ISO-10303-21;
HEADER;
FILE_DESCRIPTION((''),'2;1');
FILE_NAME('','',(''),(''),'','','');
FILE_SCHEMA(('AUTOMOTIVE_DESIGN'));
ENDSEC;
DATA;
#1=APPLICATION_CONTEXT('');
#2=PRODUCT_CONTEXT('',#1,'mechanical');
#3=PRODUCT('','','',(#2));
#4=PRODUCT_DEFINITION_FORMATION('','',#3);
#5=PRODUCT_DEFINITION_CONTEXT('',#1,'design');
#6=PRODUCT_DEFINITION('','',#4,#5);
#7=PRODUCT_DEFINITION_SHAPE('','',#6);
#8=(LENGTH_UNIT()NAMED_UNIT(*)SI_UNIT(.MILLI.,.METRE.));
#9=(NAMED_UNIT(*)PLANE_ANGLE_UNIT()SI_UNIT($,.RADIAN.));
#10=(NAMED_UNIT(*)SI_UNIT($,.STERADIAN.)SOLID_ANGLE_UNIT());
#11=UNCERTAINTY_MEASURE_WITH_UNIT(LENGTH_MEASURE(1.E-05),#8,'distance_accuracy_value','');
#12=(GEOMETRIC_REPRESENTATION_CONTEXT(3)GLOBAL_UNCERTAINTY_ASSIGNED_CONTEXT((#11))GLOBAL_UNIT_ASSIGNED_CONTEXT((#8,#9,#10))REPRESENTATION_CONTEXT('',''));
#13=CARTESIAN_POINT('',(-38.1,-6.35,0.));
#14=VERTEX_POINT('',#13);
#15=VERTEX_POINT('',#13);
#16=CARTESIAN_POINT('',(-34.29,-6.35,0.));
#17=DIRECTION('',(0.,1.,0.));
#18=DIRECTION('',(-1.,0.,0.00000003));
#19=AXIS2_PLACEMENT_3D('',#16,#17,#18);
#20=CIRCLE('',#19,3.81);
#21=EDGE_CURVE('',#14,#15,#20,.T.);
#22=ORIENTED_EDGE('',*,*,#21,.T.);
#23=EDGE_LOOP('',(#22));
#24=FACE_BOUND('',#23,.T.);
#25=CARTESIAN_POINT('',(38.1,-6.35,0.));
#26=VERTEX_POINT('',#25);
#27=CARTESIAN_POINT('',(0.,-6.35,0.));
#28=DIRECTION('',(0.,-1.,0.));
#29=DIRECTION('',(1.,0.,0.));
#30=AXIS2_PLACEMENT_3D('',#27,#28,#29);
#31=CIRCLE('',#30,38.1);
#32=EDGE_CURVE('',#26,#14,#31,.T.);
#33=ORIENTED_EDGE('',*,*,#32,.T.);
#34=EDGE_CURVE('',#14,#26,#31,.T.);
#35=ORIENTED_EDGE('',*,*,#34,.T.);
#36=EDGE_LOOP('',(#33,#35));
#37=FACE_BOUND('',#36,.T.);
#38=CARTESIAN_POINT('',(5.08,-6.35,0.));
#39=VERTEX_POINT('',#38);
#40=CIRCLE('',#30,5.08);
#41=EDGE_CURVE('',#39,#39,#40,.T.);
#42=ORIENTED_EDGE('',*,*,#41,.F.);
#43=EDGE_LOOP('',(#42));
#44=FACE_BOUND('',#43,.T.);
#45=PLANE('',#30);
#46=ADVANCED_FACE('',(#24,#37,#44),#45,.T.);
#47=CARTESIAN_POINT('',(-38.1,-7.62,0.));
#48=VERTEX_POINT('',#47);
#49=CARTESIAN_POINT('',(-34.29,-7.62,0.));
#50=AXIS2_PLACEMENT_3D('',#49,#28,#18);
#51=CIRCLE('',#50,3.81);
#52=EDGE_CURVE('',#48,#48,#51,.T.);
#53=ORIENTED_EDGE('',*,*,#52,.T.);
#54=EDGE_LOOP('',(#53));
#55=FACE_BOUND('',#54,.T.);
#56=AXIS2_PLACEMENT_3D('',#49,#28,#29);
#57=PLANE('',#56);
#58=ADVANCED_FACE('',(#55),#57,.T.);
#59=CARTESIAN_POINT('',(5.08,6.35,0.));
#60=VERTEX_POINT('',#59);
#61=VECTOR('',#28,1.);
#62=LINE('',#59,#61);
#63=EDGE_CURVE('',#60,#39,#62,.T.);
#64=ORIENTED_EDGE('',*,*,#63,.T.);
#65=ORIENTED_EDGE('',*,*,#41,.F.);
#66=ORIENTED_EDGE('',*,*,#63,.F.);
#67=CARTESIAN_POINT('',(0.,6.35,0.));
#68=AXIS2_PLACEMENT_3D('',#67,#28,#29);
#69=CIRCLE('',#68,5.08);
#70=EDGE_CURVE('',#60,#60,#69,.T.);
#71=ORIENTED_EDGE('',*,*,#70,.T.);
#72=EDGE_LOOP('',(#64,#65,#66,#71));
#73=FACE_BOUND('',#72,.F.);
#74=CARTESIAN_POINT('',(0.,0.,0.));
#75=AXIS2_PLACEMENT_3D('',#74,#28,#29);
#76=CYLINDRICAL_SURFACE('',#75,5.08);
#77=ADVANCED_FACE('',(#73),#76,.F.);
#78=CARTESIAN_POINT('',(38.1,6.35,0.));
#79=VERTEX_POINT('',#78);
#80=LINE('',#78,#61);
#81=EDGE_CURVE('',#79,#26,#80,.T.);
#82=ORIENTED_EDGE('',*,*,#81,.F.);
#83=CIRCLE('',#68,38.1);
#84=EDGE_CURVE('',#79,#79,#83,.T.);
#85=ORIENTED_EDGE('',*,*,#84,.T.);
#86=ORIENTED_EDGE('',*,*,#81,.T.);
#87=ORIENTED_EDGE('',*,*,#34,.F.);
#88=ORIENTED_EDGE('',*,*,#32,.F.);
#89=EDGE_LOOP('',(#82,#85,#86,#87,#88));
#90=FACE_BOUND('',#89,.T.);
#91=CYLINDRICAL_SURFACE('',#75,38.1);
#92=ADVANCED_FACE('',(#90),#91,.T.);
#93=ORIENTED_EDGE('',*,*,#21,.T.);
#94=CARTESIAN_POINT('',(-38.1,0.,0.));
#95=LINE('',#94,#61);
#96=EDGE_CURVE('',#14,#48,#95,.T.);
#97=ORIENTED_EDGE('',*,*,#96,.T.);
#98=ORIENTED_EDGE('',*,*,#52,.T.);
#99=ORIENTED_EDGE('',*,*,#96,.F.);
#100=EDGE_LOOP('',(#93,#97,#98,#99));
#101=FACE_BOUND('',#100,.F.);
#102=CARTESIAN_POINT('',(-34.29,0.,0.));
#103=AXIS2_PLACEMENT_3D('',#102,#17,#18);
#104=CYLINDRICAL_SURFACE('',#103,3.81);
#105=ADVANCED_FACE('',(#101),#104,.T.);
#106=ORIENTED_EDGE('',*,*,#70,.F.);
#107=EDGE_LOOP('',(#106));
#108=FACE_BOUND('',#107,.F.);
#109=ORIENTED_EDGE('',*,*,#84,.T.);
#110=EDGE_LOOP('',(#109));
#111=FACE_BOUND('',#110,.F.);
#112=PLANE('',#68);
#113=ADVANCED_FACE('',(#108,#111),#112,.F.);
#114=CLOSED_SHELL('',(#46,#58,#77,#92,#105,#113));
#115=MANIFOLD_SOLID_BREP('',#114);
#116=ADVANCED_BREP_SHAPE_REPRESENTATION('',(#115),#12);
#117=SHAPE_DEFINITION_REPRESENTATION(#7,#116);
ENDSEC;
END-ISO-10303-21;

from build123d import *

# Parameters (mm, degrees)
F0_R     = 3.81
F1_DEPTH = 6.35
F2_T     = -33.02
F3_DEPTH = 7.62


with BuildPart() as f1:
    # F0 (on Front) → F1 (new body, symmetric)
    with BuildSketch(Plane.XZ):
        with BuildLine():
            ThreePointArc((-38.1, 1.128e-07), (-5.64e-08, -38.1), (38.1, 0))
            ThreePointArc((38.1, 0), (5.64e-08, 38.1), (-38.1, 1.128e-07))
        make_face()
        with BuildLine():
            ThreePointArc((-30.48, 0), (-34.2900000564, -3.81), (-38.1, 1.128e-07))
            ThreePointArc((-38.1, 1.128e-07), (-34.2899999436, 3.81), (-30.48, 0))
        make_face(mode=Mode.SUBTRACT)
        with Locations((34.29, 0)):
            Circle(F0_R, mode=Mode.SUBTRACT)
        with BuildLine():
            ThreePointArc((-30.48, 0), (-34.2899999436, 3.81), (-38.1, 1.128e-07))
            ThreePointArc((-38.1, 1.128e-07), (-34.2900000564, -3.81), (-30.48, 0))
        make_face()
        with Locations((34.29, 0)):
            Circle(F0_R)
    extrude(amount=F1_DEPTH, both=True)

    # F2
    f2_openings = [f1.faces().sort_by_distance(p)[0] for p in [
        (0, -6.35, 0),
        (0, 6.35, 0),
    ]]
    offset(amount=F2_T, openings=f2_openings)

    # F0 (on Front) → F3 (join)
    with BuildSketch(Plane.XZ):
        with BuildLine():
            ThreePointArc((-30.48, 0), (-34.2899999436, 3.81), (-38.1, 1.128e-07))
            ThreePointArc((-38.1, 1.128e-07), (-34.2900000564, -3.81), (-30.48, 0))
        make_face()
    extrude(amount=F3_DEPTH)


solid = f1.part
